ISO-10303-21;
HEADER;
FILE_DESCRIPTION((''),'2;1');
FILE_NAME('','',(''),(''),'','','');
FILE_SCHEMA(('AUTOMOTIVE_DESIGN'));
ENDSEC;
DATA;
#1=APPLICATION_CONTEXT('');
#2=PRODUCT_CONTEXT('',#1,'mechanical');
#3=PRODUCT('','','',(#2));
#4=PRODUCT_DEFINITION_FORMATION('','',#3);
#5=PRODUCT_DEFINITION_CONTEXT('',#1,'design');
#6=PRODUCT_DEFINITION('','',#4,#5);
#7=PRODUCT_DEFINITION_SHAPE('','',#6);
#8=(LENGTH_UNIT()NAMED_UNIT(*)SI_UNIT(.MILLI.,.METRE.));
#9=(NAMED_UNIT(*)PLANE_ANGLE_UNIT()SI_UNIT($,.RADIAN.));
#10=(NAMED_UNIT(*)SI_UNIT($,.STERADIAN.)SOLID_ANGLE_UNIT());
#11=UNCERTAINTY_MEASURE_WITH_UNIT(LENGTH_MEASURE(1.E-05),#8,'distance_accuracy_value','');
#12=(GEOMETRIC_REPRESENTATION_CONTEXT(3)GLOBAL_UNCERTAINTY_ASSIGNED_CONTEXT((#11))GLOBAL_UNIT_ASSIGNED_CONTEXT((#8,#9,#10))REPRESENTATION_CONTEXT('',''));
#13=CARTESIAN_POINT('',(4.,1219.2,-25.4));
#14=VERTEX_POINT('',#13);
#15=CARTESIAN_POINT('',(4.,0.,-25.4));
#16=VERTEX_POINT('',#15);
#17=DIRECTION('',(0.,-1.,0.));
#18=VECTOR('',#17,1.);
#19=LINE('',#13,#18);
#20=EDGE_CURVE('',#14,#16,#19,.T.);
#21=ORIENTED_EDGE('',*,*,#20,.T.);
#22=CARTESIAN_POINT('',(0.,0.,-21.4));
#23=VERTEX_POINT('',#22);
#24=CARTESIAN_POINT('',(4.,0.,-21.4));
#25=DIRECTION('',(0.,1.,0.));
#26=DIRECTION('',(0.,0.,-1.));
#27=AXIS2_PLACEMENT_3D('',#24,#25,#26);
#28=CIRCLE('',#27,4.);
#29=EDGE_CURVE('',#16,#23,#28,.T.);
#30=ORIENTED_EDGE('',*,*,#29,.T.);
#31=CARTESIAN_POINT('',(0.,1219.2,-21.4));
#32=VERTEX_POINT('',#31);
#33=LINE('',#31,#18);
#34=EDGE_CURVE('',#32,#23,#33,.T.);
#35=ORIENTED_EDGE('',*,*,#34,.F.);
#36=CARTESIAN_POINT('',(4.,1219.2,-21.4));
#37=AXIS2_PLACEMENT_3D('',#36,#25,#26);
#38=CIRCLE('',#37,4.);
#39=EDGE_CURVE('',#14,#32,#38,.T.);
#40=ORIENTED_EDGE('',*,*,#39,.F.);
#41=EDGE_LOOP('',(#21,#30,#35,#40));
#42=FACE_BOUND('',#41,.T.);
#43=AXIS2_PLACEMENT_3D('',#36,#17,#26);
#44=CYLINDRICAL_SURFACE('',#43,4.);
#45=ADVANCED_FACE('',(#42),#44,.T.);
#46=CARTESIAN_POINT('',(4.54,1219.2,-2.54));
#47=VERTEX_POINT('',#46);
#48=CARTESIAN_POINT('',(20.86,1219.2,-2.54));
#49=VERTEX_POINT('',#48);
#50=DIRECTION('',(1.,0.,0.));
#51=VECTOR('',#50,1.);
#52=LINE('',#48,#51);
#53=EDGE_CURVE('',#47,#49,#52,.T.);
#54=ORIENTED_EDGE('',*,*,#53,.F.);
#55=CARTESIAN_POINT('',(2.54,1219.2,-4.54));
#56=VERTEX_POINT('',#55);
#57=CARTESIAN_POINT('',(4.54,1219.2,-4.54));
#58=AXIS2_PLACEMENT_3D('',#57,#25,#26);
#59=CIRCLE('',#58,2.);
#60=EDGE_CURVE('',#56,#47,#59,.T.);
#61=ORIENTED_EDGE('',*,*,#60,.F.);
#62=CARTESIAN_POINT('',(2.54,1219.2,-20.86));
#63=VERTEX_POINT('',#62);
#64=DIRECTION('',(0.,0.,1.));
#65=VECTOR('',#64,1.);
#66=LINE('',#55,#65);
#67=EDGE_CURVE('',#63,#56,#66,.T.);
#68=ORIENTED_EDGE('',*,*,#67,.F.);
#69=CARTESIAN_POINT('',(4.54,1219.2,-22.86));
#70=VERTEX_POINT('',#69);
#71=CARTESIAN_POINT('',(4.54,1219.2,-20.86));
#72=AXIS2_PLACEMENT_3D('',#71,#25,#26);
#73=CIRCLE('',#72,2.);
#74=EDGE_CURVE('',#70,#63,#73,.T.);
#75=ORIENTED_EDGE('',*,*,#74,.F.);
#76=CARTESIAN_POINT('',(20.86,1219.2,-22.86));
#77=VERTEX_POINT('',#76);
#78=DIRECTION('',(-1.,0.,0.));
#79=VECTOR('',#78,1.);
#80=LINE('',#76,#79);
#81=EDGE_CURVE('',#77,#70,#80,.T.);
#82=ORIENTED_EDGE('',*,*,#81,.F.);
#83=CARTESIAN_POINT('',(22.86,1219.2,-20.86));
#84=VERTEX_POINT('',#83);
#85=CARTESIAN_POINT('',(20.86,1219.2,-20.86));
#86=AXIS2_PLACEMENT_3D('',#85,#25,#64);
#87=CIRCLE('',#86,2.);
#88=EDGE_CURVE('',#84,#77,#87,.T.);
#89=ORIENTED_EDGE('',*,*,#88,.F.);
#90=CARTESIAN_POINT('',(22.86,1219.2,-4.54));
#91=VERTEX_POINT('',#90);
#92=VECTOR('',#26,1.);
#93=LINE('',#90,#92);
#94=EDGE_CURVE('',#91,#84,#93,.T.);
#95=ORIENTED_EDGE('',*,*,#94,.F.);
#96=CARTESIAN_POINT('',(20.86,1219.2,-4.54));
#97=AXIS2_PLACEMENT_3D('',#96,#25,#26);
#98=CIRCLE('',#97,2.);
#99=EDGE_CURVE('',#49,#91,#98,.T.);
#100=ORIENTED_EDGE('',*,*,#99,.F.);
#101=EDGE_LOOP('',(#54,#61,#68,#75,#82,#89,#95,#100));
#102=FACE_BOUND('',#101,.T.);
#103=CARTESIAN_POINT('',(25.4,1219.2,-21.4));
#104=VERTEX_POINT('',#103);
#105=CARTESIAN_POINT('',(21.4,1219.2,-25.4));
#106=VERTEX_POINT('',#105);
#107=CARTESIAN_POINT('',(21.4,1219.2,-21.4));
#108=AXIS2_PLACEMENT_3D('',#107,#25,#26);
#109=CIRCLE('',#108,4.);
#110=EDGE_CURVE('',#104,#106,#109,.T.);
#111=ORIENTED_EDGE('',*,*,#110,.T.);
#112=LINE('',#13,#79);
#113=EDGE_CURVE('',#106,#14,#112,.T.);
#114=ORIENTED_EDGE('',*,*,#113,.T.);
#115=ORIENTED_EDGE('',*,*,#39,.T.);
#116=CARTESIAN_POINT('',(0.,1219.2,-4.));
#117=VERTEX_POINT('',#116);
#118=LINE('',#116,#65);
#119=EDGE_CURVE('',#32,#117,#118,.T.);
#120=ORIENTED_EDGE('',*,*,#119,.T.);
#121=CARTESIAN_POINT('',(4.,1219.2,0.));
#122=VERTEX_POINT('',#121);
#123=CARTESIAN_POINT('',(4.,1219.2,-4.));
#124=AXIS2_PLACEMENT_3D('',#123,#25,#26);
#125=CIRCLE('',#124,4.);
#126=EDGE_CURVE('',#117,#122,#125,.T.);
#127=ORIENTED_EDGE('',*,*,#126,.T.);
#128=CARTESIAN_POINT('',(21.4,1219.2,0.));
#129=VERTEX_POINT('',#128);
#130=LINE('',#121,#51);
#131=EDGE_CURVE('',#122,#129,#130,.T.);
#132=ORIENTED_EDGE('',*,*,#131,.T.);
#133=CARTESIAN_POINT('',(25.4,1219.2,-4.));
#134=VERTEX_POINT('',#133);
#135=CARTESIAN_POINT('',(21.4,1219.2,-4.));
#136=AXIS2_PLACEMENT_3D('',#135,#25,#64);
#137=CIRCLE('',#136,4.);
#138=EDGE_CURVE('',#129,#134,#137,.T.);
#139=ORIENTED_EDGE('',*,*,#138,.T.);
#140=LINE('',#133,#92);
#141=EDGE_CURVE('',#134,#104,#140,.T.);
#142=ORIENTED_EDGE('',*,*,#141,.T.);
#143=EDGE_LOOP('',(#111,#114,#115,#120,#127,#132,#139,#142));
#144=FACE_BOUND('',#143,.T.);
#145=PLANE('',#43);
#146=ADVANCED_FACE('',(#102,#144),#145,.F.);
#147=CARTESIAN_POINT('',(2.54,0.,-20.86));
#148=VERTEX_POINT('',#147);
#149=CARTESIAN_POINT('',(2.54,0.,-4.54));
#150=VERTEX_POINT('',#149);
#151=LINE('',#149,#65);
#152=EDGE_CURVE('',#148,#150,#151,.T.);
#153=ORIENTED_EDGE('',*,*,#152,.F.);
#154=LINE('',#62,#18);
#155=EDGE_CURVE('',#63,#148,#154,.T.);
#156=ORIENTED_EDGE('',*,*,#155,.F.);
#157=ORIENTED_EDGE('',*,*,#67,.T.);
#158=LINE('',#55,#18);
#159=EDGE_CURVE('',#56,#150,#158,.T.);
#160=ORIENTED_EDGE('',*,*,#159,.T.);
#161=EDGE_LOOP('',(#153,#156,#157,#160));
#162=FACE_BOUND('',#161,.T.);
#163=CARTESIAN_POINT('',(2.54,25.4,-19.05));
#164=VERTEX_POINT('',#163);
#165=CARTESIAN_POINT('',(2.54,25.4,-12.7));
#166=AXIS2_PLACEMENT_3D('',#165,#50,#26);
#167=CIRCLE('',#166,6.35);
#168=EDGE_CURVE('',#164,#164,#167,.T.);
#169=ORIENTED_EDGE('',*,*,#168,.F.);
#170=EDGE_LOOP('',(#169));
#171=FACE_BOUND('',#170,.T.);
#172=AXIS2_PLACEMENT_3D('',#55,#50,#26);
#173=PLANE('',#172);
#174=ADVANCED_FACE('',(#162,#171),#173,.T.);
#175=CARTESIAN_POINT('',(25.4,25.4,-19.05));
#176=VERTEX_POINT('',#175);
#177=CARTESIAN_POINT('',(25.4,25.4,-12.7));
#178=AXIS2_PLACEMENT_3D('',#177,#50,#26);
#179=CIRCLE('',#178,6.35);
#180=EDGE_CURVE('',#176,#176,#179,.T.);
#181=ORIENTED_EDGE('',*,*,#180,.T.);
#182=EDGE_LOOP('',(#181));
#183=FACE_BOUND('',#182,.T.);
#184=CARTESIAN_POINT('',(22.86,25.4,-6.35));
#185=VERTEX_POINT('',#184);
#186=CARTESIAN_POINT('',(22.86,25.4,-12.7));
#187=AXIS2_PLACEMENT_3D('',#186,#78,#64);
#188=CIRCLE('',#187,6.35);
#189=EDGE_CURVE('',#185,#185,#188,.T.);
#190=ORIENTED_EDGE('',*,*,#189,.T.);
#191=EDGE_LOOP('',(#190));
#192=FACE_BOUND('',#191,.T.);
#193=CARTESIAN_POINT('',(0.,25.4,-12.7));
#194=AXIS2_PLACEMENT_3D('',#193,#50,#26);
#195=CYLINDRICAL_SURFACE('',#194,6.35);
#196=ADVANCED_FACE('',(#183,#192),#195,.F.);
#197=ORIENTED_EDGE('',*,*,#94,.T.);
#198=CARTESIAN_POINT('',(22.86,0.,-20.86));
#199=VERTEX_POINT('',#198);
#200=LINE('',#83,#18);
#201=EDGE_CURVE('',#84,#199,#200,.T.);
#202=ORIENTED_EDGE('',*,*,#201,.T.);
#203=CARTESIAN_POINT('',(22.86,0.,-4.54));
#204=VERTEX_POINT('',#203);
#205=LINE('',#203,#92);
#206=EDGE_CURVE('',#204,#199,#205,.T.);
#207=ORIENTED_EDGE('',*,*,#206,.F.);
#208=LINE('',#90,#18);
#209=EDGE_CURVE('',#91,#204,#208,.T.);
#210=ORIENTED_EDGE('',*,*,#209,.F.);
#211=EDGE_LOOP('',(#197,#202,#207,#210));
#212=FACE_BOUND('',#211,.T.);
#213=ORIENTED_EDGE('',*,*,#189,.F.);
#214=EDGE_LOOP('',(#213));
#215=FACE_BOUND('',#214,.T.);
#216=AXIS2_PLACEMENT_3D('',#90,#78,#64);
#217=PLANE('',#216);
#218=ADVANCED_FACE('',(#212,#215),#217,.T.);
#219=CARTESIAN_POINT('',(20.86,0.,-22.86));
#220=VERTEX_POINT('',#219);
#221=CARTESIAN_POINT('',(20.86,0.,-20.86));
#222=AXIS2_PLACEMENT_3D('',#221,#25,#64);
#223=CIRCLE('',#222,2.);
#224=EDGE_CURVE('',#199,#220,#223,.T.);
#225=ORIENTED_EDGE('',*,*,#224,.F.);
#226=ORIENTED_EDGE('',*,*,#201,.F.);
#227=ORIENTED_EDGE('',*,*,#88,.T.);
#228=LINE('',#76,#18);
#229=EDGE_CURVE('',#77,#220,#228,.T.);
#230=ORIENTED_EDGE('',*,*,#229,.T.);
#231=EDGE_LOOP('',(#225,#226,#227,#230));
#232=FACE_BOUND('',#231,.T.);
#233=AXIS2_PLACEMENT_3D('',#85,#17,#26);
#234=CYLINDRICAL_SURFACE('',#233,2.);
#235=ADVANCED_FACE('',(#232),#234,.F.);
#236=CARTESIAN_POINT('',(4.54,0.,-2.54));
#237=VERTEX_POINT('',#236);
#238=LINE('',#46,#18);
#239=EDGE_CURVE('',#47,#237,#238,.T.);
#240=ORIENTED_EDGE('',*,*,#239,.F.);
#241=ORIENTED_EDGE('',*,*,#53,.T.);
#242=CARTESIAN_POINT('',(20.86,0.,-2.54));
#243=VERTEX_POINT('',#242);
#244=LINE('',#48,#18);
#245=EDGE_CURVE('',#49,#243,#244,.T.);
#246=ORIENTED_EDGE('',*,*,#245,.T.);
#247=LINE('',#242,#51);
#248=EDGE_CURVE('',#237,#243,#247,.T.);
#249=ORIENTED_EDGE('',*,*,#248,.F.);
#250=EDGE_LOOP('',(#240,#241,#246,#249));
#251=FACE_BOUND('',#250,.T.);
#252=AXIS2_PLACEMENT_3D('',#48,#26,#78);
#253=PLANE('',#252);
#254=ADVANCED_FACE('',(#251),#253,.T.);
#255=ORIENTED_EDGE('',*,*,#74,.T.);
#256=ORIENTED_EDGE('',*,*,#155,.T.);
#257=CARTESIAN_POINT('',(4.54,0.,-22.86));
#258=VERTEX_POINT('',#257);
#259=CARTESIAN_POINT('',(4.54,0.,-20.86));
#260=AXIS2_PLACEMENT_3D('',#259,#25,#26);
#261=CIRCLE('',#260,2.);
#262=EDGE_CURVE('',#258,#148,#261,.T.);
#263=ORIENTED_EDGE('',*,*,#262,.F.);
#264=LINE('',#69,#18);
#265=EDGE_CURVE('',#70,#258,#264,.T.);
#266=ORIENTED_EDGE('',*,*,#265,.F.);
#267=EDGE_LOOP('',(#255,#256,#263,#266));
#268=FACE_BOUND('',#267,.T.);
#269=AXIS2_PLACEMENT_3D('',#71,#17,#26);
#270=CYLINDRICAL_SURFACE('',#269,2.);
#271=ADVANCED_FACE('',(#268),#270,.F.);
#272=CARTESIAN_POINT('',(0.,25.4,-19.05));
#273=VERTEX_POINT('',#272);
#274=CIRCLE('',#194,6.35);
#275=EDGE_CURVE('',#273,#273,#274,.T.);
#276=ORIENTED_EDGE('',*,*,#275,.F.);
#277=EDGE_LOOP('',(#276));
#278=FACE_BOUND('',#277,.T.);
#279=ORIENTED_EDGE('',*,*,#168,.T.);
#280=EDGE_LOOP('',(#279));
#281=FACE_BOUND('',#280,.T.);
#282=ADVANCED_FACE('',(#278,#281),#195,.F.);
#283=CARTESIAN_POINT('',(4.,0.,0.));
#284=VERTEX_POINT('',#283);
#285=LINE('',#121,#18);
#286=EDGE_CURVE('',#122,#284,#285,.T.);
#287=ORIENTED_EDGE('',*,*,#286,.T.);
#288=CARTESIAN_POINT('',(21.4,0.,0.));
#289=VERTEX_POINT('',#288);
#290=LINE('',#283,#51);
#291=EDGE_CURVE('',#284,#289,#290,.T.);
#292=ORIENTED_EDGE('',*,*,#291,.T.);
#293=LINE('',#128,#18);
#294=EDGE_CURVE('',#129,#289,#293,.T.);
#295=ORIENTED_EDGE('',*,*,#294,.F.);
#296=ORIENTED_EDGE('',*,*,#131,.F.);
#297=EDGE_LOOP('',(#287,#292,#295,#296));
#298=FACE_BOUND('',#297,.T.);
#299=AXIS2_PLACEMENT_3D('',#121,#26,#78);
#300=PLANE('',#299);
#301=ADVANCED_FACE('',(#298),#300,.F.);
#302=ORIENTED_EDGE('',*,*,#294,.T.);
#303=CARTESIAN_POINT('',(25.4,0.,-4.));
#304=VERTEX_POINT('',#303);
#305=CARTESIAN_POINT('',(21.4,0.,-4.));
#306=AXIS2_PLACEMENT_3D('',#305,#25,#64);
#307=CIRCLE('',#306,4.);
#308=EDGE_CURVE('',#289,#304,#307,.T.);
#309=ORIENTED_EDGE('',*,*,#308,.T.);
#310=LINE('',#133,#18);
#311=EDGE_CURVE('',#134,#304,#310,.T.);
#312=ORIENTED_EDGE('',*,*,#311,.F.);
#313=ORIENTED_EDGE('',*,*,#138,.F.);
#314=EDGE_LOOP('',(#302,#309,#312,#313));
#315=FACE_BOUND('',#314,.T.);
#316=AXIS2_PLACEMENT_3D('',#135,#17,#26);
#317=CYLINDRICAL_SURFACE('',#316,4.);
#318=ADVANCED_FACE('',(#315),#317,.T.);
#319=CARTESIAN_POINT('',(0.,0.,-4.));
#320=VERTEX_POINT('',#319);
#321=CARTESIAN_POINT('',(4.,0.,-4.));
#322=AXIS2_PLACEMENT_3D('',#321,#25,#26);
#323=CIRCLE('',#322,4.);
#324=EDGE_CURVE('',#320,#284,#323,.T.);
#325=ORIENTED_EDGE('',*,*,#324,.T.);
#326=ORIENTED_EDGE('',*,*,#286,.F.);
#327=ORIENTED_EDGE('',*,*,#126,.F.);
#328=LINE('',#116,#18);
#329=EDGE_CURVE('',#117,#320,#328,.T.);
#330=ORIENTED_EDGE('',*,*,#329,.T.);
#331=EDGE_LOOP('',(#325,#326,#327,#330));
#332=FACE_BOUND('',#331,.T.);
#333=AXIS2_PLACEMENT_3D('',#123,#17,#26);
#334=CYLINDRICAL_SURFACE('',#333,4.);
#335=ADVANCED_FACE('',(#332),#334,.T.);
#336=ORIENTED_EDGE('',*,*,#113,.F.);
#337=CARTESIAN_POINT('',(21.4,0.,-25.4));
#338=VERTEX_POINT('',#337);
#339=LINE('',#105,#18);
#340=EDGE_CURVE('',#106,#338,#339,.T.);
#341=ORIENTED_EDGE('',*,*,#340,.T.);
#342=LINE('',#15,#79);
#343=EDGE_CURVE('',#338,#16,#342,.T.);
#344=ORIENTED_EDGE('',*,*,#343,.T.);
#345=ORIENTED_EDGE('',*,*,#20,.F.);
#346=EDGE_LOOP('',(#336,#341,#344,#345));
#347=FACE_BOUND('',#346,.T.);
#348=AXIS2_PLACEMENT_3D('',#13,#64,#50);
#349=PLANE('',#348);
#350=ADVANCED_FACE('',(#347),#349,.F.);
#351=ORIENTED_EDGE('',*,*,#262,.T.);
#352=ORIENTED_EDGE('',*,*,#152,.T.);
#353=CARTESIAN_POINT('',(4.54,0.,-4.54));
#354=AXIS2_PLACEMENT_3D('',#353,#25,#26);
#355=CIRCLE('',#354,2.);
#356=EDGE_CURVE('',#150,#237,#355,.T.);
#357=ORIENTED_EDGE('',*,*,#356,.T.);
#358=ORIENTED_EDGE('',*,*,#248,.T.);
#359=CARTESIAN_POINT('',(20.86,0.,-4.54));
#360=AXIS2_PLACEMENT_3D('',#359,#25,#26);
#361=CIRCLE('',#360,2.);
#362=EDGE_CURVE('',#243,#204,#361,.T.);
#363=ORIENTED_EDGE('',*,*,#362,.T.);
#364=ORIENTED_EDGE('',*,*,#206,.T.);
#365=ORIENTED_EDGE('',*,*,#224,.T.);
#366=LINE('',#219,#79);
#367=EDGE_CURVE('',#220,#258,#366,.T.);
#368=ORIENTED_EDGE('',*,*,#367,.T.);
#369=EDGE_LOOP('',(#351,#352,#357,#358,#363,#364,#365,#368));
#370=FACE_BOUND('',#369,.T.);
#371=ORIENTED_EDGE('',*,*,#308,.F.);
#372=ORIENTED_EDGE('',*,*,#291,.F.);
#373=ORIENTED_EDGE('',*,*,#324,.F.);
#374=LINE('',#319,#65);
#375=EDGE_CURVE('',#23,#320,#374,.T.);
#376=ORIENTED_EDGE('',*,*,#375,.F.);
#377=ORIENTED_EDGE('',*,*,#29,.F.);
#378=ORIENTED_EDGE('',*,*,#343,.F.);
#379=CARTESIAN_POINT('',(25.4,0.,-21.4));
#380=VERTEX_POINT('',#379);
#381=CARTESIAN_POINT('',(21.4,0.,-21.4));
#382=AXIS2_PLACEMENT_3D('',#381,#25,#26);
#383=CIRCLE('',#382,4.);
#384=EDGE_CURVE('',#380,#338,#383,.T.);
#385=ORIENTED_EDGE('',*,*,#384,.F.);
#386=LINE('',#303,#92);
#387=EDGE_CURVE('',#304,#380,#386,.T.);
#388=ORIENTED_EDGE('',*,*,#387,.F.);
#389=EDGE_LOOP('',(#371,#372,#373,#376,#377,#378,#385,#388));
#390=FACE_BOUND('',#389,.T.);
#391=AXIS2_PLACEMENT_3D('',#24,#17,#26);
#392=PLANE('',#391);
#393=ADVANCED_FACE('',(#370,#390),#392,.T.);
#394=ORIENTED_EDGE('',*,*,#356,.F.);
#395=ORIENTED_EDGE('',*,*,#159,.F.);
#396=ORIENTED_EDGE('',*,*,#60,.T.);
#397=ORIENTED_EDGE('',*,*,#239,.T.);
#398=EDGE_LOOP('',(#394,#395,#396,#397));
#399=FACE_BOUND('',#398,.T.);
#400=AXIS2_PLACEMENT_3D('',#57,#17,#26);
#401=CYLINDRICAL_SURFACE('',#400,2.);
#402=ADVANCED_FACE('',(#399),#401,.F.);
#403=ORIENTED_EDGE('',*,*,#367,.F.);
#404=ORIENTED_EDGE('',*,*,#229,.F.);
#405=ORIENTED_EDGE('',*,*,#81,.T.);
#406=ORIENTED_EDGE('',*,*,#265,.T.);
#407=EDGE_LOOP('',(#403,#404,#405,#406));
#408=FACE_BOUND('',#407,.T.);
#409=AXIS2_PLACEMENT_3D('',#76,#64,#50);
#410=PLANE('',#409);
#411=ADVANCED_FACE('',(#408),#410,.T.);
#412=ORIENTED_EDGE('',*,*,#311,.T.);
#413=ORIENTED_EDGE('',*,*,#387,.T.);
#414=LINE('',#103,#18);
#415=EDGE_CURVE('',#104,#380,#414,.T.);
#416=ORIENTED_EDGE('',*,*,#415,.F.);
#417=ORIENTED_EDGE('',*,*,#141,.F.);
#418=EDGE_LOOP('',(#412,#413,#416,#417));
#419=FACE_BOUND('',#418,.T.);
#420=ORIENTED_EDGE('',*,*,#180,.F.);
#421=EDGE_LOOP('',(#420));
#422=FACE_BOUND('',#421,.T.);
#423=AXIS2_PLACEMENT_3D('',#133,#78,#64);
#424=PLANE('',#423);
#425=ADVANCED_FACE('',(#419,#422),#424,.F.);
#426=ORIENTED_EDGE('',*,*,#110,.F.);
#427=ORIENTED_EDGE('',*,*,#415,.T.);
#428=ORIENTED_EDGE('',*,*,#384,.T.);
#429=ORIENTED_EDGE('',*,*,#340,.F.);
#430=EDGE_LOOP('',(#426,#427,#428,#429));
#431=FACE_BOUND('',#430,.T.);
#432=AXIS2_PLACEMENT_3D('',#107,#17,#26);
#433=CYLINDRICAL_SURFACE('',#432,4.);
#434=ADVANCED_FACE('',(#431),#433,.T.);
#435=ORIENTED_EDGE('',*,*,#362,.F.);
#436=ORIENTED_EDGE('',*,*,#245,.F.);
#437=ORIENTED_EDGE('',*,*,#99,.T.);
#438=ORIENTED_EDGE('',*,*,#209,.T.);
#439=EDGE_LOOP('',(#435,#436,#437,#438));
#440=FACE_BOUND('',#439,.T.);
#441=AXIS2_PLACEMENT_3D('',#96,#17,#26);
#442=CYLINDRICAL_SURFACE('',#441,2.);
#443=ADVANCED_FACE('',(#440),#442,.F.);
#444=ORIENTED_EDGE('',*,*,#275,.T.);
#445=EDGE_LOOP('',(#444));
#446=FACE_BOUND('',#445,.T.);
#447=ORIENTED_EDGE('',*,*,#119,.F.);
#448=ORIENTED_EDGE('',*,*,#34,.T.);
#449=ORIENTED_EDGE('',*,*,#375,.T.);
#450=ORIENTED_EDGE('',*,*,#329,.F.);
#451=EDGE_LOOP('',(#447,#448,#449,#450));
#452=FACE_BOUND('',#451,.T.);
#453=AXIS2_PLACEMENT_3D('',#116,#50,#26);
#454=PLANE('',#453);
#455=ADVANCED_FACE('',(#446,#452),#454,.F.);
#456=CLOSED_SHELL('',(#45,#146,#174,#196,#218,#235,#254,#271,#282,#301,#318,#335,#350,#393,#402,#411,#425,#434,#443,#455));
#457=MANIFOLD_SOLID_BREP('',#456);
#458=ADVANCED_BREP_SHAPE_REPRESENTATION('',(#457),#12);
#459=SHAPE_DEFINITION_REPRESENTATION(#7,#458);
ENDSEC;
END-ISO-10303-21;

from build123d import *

# Parameters (mm, degrees)
BOSS_EXTRUDE1_DEPTH = 1219.2
SKETCH3_R           = 6.35
CUT_EXTRUDE2_DEPTH  = 26.4


with BuildPart() as part:
    # Sketch1 → Boss-Extrude1 (new body)
    with BuildSketch(Plane(origin=(0, 0, 0), x_dir=(1, 0, 0), z_dir=(0, 1, 0))):
        with BuildLine():
            Line((4, 0), (21.4, 0))
            ThreePointArc((21.4, 0), (24.228427125, 1.171572875), (25.4, 4))
            Line((25.4, 4), (25.4, 21.4))
            ThreePointArc((25.4, 21.4), (24.228427125, 24.228427125), (21.4, 25.4))
            Line((21.4, 25.4), (4, 25.4))
            ThreePointArc((4, 25.4), (1.171572875, 24.228427125), (0, 21.4))
            Line((0, 21.4), (0, 4))
            ThreePointArc((0, 4), (1.171572875, 1.171572875), (4, 0))
        make_face()
        with BuildLine():
            Line((20.86, 2.54), (4.54, 2.54))
            ThreePointArc((4.54, 2.54), (3.125786438, 3.125786438), (2.54, 4.54))
            Line((2.54, 4.54), (2.54, 20.86))
            ThreePointArc((2.54, 20.86), (3.125786438, 22.274213562), (4.54, 22.86))
            Line((4.54, 22.86), (20.86, 22.86))
            ThreePointArc((20.86, 22.86), (22.274213562, 22.274213562), (22.86, 20.86))
            Line((22.86, 20.86), (22.86, 4.54))
            ThreePointArc((22.86, 4.54), (22.274213562, 3.125786438), (20.86, 2.54))
        make_face(mode=Mode.SUBTRACT)
    extrude(amount=BOSS_EXTRUDE1_DEPTH)

    # Sketch3 → Cut-Extrude2 (cut, through all)
    with BuildSketch(Plane(origin=(25.4, 0, 0), x_dir=(0, 0, -1), z_dir=(1, 0, 0))):
        with Locations((12.7, 25.4)):
            Circle(SKETCH3_R)
    extrude(amount=-CUT_EXTRUDE2_DEPTH, mode=Mode.SUBTRACT)


solid = part.part
